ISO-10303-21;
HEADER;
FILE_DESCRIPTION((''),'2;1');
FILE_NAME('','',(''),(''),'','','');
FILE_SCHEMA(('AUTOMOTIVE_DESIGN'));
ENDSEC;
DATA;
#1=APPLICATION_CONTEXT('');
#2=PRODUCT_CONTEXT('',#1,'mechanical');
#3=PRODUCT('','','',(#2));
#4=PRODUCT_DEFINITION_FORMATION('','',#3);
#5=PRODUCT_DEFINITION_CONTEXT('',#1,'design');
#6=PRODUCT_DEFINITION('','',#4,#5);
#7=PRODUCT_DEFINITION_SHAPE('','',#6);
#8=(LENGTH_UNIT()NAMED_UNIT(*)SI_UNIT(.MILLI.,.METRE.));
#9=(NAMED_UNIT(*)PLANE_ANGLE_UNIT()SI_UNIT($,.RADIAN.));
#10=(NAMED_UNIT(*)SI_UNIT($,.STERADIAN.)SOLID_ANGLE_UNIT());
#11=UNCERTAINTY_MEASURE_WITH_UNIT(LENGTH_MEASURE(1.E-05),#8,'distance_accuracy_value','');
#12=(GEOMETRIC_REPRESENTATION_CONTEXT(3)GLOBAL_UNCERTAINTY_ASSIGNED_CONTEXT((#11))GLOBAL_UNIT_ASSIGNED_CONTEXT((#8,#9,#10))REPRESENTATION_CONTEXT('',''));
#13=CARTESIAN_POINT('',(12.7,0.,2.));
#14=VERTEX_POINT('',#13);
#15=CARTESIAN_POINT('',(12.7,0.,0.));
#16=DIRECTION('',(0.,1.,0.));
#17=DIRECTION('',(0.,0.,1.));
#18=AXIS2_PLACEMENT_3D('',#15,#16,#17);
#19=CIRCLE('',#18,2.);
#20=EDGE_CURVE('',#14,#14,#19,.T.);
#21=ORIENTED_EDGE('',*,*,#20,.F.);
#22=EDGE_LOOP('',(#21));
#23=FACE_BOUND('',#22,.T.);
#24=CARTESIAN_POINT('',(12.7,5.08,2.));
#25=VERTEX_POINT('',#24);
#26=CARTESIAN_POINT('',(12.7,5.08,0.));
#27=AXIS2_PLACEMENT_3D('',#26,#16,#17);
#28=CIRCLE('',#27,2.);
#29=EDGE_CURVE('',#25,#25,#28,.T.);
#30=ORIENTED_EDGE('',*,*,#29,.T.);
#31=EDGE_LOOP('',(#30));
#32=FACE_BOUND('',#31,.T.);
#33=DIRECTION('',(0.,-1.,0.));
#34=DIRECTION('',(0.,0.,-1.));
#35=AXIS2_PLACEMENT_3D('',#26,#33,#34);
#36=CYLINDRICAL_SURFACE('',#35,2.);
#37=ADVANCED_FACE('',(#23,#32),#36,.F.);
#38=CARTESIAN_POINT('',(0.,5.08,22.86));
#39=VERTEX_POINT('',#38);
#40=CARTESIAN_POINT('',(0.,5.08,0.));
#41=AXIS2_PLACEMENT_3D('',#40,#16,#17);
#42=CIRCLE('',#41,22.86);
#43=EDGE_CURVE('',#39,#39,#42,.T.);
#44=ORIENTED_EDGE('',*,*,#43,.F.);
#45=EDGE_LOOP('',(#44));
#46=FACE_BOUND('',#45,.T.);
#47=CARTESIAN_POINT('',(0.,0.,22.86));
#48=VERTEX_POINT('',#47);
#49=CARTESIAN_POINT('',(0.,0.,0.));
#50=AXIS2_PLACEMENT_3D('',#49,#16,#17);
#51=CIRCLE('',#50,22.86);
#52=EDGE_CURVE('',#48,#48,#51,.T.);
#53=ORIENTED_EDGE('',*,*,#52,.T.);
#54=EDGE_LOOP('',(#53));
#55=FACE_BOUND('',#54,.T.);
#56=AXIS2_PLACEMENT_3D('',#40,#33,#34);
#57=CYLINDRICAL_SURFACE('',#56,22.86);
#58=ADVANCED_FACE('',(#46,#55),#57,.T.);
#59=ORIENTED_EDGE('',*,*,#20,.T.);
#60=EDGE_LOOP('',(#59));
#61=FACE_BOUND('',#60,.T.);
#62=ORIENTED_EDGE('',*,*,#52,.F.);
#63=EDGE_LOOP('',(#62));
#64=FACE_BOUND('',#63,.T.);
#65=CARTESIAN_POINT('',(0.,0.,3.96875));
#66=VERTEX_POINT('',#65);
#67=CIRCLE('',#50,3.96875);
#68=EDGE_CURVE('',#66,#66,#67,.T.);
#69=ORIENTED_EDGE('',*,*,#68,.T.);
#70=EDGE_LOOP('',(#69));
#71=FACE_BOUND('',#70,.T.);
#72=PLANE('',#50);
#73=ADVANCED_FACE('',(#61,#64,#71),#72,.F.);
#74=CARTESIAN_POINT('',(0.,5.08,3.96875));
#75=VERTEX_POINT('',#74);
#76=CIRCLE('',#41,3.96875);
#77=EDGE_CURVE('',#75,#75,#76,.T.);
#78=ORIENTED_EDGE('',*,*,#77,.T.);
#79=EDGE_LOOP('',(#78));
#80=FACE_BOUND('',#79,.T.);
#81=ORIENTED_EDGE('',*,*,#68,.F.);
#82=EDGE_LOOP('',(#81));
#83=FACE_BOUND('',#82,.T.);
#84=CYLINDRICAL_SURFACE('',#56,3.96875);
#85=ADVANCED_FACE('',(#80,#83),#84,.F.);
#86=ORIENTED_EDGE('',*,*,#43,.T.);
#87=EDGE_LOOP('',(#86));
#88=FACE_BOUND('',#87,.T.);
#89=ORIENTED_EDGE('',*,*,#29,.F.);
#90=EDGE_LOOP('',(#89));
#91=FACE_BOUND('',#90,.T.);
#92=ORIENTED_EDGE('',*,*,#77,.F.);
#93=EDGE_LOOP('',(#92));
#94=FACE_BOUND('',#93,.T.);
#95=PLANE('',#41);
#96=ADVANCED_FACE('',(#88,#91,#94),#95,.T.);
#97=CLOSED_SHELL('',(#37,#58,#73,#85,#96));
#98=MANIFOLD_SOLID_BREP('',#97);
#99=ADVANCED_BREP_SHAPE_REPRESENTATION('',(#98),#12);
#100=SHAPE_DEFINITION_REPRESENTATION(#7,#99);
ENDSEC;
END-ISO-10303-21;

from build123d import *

# Parameters (mm, degrees)
SKETCH1_R           = 22.86
SKETCH1_R_2         = 3.96875
SKETCH1_R_3         = 2
BOSS_EXTRUDE1_DEPTH = 5.08


with BuildPart() as part:
    # Sketch1 → Boss-Extrude1 (new body)
    with BuildSketch(Plane(origin=(0, 0, 0), x_dir=(1, 0, 0), z_dir=(0, 1, 0))):
        Circle(SKETCH1_R)
        Circle(SKETCH1_R_2, mode=Mode.SUBTRACT)
        with Locations((12.7, 0)):
            Circle(SKETCH1_R_3, mode=Mode.SUBTRACT)
    extrude(amount=BOSS_EXTRUDE1_DEPTH)


solid = part.part
